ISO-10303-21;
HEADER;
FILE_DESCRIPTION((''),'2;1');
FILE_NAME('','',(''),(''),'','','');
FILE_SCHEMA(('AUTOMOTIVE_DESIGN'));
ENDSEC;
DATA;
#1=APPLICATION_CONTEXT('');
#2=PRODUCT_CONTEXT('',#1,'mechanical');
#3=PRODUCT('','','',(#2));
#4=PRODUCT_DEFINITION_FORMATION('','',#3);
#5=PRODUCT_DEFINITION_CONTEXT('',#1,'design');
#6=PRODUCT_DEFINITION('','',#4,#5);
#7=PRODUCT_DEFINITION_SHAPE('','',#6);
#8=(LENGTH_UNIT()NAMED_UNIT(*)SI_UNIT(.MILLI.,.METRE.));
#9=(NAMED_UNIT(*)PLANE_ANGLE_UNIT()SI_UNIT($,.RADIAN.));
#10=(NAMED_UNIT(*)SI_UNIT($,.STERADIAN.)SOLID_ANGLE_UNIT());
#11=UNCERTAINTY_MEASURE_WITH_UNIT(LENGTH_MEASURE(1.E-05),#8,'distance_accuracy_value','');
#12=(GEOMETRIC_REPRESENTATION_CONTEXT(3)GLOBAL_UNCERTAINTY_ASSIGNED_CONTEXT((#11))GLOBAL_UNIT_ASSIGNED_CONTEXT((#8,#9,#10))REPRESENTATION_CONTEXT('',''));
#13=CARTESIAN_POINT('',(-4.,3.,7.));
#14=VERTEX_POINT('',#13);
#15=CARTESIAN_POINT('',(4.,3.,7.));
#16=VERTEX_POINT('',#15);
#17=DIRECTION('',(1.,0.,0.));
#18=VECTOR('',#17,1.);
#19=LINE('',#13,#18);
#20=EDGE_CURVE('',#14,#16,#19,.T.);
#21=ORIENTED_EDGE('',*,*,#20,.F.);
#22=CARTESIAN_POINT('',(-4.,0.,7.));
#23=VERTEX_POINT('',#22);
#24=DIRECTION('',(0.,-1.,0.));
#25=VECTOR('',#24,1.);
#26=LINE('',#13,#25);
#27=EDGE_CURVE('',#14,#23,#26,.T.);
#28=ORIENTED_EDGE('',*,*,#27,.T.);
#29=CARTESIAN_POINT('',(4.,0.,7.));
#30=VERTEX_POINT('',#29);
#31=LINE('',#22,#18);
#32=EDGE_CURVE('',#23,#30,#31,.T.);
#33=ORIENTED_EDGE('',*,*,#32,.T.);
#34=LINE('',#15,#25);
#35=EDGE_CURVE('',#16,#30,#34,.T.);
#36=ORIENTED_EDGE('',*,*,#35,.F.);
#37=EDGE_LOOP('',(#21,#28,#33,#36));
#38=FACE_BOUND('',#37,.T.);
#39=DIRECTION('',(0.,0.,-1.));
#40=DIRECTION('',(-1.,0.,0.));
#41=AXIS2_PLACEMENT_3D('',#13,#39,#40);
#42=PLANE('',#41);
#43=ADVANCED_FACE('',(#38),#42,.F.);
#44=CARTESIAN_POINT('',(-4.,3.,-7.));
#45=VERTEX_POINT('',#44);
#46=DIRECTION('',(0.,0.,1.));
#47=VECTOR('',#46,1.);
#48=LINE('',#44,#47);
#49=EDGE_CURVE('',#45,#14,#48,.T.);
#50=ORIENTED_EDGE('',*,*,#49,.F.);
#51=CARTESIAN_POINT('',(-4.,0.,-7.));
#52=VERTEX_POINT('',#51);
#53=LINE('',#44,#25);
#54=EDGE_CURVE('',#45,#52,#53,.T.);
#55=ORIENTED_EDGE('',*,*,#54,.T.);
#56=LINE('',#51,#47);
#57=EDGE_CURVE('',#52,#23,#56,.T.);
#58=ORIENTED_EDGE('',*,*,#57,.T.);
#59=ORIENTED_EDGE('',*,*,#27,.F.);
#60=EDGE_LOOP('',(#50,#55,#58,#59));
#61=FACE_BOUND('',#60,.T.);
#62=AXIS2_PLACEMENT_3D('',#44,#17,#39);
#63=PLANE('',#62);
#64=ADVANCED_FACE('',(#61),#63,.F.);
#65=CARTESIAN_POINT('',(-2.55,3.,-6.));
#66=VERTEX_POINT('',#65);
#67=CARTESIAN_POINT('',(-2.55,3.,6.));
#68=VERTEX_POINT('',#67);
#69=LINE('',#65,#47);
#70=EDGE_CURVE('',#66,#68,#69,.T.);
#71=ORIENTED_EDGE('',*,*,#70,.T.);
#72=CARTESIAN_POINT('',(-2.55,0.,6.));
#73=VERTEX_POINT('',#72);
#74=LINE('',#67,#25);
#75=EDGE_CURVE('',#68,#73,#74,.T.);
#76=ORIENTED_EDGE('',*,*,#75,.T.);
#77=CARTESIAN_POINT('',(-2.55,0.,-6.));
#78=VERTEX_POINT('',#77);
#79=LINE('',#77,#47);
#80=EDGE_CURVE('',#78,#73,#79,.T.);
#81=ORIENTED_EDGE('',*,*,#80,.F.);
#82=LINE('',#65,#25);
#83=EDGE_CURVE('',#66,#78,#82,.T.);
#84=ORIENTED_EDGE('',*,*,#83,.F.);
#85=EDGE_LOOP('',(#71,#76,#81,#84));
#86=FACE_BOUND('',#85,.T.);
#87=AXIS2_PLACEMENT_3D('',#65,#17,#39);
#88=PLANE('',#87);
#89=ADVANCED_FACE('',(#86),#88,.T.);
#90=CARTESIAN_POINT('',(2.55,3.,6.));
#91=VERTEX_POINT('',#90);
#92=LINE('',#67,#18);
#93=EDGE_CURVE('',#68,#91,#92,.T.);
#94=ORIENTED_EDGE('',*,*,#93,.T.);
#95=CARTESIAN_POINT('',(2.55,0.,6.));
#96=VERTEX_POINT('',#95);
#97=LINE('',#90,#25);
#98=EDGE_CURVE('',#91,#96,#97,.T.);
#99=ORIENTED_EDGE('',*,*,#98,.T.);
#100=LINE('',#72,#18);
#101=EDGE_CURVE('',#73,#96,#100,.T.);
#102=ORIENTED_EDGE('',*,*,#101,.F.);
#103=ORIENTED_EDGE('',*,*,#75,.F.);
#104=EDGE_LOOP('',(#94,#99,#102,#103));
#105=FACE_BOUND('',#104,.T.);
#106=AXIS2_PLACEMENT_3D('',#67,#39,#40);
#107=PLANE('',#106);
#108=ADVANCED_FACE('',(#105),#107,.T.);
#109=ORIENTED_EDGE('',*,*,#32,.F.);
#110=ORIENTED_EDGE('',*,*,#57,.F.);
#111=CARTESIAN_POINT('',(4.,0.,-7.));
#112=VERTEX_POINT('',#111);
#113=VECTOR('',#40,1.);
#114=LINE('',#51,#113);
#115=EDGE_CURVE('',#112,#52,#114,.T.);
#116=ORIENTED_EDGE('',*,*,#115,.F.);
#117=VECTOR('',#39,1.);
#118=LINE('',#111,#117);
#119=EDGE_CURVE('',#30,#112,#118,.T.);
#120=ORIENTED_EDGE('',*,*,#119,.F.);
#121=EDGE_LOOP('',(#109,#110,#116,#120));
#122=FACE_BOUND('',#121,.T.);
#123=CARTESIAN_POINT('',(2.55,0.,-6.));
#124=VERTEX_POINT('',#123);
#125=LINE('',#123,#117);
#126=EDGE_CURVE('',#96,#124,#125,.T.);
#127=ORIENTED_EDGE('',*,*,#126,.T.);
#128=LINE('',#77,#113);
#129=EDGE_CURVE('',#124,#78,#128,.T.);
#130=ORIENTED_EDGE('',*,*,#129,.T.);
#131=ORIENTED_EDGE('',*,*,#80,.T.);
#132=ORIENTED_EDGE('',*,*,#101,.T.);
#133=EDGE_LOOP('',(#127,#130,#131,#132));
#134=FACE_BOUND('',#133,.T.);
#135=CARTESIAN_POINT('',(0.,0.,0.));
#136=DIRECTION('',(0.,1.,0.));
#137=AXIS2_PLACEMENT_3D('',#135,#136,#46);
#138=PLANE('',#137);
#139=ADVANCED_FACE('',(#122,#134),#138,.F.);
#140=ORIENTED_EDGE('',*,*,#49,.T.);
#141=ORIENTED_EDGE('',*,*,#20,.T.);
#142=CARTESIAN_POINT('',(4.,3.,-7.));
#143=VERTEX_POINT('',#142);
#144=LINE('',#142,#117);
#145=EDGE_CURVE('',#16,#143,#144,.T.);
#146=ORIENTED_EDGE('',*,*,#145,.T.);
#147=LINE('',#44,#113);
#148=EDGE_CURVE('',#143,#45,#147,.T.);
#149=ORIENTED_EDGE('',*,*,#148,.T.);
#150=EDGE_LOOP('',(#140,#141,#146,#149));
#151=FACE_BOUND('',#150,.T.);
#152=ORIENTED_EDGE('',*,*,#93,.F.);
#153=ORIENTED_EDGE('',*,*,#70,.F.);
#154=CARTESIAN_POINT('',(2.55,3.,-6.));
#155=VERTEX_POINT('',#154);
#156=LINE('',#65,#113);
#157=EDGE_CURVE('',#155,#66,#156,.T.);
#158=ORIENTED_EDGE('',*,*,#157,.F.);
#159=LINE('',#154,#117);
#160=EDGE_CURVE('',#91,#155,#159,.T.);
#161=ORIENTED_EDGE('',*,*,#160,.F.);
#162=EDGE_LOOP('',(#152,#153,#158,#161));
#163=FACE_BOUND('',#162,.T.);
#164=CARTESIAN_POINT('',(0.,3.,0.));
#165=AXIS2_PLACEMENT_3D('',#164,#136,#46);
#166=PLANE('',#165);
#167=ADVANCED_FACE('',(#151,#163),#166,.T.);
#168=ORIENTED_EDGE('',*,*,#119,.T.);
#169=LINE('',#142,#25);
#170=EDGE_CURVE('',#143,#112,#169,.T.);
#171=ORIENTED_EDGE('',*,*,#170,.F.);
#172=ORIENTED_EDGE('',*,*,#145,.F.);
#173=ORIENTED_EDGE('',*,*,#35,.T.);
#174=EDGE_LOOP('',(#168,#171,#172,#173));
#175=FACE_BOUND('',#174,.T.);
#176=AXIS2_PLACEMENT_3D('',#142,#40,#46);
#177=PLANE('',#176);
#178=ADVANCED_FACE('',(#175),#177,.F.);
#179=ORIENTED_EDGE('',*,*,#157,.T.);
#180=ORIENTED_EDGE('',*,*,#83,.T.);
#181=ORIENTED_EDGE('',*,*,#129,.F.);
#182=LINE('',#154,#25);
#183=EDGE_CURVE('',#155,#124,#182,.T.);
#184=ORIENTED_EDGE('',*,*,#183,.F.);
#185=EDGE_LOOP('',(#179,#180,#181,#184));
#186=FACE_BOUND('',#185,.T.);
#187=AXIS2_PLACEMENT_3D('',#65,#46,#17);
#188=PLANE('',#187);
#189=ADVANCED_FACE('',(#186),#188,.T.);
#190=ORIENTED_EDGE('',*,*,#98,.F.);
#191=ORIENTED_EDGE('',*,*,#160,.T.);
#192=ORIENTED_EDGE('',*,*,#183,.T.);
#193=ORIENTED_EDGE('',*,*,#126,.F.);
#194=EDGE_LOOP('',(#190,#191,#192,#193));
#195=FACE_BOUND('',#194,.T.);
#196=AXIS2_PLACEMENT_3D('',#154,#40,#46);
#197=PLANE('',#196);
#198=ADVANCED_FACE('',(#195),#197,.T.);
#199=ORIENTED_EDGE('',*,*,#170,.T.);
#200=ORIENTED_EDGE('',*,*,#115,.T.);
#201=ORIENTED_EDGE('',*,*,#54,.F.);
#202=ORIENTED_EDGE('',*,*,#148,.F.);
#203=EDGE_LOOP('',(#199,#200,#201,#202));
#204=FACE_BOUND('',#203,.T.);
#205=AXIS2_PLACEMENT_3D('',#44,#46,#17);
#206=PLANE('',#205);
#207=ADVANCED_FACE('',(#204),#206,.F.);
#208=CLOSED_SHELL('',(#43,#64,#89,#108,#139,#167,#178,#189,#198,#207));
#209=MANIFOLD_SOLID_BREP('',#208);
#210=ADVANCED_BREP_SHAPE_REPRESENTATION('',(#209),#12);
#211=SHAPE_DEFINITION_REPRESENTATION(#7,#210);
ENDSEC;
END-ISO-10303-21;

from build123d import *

# Parameters (mm, degrees)
SKETCH1_W           = 8
SKETCH1_H           = 14
SKETCH1_W_2         = 5.1
SKETCH1_H_2         = 12
BOSS_EXTRUDE1_DEPTH = 3


with BuildPart() as part:
    # Sketch1 → Boss-Extrude1 (new body)
    with BuildSketch(Plane(origin=(0, 0, 0), x_dir=(1, 0, 0), z_dir=(0, 1, 0))):
        Rectangle(SKETCH1_W, SKETCH1_H)
        Rectangle(SKETCH1_W_2, SKETCH1_H_2, mode=Mode.SUBTRACT)
    extrude(amount=BOSS_EXTRUDE1_DEPTH)


solid = part.part
